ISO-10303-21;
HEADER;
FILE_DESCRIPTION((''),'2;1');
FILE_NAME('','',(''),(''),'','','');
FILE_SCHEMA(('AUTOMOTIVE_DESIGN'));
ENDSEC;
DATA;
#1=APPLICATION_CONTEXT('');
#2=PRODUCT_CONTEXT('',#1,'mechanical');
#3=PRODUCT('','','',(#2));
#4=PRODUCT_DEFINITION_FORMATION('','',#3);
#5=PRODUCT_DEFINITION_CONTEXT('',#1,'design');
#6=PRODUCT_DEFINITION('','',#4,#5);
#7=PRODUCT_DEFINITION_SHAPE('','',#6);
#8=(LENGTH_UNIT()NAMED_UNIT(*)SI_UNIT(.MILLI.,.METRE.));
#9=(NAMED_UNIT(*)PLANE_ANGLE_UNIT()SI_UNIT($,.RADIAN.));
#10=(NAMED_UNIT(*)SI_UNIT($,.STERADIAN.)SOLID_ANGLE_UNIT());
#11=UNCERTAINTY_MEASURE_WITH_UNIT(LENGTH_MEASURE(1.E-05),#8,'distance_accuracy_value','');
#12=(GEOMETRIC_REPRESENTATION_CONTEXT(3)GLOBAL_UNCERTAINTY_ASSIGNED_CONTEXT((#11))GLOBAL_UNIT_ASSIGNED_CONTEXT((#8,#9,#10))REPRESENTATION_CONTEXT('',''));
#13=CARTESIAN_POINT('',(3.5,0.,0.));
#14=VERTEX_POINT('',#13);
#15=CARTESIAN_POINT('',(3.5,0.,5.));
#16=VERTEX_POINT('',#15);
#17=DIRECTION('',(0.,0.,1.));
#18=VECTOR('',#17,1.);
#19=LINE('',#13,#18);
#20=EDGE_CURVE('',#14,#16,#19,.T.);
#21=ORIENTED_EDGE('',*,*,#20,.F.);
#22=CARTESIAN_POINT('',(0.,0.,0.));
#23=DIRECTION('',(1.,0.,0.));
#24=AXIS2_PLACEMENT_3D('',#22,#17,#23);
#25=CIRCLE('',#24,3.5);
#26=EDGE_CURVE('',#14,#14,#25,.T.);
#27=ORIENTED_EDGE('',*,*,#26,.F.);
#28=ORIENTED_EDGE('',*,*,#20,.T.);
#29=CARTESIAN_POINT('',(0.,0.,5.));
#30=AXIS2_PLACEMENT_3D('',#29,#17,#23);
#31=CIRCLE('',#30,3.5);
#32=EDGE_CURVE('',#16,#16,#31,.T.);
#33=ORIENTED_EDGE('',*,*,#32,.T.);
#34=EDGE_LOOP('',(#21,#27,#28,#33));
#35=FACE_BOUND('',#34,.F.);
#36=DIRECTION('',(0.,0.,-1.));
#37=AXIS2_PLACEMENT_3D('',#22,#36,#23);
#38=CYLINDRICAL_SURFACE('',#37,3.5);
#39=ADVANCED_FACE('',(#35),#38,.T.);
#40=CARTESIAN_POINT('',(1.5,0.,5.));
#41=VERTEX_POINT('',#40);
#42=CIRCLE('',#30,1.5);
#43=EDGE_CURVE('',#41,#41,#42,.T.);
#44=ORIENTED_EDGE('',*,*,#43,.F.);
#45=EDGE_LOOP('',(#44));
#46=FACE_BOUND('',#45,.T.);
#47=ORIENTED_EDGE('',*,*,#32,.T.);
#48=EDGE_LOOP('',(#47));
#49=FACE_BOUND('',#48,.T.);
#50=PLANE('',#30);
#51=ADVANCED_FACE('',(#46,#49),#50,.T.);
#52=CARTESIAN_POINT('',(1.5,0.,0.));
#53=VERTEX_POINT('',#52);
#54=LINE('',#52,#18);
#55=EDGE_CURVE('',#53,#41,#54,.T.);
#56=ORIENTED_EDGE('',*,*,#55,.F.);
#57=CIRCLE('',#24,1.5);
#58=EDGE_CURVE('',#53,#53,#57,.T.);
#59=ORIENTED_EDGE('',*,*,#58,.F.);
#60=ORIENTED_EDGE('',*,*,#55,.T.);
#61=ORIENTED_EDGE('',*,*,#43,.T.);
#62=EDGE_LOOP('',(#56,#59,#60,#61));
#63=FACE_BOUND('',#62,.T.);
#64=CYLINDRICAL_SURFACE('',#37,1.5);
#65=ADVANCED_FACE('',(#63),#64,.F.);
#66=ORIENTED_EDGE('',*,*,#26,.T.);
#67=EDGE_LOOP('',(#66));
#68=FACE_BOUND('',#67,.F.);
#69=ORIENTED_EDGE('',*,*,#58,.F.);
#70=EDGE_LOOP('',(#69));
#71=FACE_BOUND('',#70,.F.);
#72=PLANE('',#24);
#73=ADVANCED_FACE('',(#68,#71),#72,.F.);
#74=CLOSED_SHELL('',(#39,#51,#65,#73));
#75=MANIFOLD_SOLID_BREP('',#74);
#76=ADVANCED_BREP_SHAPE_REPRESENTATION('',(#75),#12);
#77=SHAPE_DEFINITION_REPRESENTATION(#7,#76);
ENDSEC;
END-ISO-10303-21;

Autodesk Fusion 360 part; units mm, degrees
sketch "Sketch1" plane through (0, 0, 0) normal (0, 0, 1) x (1, 0, 0)
  circle A0 centre (0, 0) radius 3.5
  circle A1 centre (0, 0) radius 1.5
  dimension "d1" = 7
  dimension "d2" = 3
extrude "Extrude1" add sketch "Sketch1" along normal blind 5
